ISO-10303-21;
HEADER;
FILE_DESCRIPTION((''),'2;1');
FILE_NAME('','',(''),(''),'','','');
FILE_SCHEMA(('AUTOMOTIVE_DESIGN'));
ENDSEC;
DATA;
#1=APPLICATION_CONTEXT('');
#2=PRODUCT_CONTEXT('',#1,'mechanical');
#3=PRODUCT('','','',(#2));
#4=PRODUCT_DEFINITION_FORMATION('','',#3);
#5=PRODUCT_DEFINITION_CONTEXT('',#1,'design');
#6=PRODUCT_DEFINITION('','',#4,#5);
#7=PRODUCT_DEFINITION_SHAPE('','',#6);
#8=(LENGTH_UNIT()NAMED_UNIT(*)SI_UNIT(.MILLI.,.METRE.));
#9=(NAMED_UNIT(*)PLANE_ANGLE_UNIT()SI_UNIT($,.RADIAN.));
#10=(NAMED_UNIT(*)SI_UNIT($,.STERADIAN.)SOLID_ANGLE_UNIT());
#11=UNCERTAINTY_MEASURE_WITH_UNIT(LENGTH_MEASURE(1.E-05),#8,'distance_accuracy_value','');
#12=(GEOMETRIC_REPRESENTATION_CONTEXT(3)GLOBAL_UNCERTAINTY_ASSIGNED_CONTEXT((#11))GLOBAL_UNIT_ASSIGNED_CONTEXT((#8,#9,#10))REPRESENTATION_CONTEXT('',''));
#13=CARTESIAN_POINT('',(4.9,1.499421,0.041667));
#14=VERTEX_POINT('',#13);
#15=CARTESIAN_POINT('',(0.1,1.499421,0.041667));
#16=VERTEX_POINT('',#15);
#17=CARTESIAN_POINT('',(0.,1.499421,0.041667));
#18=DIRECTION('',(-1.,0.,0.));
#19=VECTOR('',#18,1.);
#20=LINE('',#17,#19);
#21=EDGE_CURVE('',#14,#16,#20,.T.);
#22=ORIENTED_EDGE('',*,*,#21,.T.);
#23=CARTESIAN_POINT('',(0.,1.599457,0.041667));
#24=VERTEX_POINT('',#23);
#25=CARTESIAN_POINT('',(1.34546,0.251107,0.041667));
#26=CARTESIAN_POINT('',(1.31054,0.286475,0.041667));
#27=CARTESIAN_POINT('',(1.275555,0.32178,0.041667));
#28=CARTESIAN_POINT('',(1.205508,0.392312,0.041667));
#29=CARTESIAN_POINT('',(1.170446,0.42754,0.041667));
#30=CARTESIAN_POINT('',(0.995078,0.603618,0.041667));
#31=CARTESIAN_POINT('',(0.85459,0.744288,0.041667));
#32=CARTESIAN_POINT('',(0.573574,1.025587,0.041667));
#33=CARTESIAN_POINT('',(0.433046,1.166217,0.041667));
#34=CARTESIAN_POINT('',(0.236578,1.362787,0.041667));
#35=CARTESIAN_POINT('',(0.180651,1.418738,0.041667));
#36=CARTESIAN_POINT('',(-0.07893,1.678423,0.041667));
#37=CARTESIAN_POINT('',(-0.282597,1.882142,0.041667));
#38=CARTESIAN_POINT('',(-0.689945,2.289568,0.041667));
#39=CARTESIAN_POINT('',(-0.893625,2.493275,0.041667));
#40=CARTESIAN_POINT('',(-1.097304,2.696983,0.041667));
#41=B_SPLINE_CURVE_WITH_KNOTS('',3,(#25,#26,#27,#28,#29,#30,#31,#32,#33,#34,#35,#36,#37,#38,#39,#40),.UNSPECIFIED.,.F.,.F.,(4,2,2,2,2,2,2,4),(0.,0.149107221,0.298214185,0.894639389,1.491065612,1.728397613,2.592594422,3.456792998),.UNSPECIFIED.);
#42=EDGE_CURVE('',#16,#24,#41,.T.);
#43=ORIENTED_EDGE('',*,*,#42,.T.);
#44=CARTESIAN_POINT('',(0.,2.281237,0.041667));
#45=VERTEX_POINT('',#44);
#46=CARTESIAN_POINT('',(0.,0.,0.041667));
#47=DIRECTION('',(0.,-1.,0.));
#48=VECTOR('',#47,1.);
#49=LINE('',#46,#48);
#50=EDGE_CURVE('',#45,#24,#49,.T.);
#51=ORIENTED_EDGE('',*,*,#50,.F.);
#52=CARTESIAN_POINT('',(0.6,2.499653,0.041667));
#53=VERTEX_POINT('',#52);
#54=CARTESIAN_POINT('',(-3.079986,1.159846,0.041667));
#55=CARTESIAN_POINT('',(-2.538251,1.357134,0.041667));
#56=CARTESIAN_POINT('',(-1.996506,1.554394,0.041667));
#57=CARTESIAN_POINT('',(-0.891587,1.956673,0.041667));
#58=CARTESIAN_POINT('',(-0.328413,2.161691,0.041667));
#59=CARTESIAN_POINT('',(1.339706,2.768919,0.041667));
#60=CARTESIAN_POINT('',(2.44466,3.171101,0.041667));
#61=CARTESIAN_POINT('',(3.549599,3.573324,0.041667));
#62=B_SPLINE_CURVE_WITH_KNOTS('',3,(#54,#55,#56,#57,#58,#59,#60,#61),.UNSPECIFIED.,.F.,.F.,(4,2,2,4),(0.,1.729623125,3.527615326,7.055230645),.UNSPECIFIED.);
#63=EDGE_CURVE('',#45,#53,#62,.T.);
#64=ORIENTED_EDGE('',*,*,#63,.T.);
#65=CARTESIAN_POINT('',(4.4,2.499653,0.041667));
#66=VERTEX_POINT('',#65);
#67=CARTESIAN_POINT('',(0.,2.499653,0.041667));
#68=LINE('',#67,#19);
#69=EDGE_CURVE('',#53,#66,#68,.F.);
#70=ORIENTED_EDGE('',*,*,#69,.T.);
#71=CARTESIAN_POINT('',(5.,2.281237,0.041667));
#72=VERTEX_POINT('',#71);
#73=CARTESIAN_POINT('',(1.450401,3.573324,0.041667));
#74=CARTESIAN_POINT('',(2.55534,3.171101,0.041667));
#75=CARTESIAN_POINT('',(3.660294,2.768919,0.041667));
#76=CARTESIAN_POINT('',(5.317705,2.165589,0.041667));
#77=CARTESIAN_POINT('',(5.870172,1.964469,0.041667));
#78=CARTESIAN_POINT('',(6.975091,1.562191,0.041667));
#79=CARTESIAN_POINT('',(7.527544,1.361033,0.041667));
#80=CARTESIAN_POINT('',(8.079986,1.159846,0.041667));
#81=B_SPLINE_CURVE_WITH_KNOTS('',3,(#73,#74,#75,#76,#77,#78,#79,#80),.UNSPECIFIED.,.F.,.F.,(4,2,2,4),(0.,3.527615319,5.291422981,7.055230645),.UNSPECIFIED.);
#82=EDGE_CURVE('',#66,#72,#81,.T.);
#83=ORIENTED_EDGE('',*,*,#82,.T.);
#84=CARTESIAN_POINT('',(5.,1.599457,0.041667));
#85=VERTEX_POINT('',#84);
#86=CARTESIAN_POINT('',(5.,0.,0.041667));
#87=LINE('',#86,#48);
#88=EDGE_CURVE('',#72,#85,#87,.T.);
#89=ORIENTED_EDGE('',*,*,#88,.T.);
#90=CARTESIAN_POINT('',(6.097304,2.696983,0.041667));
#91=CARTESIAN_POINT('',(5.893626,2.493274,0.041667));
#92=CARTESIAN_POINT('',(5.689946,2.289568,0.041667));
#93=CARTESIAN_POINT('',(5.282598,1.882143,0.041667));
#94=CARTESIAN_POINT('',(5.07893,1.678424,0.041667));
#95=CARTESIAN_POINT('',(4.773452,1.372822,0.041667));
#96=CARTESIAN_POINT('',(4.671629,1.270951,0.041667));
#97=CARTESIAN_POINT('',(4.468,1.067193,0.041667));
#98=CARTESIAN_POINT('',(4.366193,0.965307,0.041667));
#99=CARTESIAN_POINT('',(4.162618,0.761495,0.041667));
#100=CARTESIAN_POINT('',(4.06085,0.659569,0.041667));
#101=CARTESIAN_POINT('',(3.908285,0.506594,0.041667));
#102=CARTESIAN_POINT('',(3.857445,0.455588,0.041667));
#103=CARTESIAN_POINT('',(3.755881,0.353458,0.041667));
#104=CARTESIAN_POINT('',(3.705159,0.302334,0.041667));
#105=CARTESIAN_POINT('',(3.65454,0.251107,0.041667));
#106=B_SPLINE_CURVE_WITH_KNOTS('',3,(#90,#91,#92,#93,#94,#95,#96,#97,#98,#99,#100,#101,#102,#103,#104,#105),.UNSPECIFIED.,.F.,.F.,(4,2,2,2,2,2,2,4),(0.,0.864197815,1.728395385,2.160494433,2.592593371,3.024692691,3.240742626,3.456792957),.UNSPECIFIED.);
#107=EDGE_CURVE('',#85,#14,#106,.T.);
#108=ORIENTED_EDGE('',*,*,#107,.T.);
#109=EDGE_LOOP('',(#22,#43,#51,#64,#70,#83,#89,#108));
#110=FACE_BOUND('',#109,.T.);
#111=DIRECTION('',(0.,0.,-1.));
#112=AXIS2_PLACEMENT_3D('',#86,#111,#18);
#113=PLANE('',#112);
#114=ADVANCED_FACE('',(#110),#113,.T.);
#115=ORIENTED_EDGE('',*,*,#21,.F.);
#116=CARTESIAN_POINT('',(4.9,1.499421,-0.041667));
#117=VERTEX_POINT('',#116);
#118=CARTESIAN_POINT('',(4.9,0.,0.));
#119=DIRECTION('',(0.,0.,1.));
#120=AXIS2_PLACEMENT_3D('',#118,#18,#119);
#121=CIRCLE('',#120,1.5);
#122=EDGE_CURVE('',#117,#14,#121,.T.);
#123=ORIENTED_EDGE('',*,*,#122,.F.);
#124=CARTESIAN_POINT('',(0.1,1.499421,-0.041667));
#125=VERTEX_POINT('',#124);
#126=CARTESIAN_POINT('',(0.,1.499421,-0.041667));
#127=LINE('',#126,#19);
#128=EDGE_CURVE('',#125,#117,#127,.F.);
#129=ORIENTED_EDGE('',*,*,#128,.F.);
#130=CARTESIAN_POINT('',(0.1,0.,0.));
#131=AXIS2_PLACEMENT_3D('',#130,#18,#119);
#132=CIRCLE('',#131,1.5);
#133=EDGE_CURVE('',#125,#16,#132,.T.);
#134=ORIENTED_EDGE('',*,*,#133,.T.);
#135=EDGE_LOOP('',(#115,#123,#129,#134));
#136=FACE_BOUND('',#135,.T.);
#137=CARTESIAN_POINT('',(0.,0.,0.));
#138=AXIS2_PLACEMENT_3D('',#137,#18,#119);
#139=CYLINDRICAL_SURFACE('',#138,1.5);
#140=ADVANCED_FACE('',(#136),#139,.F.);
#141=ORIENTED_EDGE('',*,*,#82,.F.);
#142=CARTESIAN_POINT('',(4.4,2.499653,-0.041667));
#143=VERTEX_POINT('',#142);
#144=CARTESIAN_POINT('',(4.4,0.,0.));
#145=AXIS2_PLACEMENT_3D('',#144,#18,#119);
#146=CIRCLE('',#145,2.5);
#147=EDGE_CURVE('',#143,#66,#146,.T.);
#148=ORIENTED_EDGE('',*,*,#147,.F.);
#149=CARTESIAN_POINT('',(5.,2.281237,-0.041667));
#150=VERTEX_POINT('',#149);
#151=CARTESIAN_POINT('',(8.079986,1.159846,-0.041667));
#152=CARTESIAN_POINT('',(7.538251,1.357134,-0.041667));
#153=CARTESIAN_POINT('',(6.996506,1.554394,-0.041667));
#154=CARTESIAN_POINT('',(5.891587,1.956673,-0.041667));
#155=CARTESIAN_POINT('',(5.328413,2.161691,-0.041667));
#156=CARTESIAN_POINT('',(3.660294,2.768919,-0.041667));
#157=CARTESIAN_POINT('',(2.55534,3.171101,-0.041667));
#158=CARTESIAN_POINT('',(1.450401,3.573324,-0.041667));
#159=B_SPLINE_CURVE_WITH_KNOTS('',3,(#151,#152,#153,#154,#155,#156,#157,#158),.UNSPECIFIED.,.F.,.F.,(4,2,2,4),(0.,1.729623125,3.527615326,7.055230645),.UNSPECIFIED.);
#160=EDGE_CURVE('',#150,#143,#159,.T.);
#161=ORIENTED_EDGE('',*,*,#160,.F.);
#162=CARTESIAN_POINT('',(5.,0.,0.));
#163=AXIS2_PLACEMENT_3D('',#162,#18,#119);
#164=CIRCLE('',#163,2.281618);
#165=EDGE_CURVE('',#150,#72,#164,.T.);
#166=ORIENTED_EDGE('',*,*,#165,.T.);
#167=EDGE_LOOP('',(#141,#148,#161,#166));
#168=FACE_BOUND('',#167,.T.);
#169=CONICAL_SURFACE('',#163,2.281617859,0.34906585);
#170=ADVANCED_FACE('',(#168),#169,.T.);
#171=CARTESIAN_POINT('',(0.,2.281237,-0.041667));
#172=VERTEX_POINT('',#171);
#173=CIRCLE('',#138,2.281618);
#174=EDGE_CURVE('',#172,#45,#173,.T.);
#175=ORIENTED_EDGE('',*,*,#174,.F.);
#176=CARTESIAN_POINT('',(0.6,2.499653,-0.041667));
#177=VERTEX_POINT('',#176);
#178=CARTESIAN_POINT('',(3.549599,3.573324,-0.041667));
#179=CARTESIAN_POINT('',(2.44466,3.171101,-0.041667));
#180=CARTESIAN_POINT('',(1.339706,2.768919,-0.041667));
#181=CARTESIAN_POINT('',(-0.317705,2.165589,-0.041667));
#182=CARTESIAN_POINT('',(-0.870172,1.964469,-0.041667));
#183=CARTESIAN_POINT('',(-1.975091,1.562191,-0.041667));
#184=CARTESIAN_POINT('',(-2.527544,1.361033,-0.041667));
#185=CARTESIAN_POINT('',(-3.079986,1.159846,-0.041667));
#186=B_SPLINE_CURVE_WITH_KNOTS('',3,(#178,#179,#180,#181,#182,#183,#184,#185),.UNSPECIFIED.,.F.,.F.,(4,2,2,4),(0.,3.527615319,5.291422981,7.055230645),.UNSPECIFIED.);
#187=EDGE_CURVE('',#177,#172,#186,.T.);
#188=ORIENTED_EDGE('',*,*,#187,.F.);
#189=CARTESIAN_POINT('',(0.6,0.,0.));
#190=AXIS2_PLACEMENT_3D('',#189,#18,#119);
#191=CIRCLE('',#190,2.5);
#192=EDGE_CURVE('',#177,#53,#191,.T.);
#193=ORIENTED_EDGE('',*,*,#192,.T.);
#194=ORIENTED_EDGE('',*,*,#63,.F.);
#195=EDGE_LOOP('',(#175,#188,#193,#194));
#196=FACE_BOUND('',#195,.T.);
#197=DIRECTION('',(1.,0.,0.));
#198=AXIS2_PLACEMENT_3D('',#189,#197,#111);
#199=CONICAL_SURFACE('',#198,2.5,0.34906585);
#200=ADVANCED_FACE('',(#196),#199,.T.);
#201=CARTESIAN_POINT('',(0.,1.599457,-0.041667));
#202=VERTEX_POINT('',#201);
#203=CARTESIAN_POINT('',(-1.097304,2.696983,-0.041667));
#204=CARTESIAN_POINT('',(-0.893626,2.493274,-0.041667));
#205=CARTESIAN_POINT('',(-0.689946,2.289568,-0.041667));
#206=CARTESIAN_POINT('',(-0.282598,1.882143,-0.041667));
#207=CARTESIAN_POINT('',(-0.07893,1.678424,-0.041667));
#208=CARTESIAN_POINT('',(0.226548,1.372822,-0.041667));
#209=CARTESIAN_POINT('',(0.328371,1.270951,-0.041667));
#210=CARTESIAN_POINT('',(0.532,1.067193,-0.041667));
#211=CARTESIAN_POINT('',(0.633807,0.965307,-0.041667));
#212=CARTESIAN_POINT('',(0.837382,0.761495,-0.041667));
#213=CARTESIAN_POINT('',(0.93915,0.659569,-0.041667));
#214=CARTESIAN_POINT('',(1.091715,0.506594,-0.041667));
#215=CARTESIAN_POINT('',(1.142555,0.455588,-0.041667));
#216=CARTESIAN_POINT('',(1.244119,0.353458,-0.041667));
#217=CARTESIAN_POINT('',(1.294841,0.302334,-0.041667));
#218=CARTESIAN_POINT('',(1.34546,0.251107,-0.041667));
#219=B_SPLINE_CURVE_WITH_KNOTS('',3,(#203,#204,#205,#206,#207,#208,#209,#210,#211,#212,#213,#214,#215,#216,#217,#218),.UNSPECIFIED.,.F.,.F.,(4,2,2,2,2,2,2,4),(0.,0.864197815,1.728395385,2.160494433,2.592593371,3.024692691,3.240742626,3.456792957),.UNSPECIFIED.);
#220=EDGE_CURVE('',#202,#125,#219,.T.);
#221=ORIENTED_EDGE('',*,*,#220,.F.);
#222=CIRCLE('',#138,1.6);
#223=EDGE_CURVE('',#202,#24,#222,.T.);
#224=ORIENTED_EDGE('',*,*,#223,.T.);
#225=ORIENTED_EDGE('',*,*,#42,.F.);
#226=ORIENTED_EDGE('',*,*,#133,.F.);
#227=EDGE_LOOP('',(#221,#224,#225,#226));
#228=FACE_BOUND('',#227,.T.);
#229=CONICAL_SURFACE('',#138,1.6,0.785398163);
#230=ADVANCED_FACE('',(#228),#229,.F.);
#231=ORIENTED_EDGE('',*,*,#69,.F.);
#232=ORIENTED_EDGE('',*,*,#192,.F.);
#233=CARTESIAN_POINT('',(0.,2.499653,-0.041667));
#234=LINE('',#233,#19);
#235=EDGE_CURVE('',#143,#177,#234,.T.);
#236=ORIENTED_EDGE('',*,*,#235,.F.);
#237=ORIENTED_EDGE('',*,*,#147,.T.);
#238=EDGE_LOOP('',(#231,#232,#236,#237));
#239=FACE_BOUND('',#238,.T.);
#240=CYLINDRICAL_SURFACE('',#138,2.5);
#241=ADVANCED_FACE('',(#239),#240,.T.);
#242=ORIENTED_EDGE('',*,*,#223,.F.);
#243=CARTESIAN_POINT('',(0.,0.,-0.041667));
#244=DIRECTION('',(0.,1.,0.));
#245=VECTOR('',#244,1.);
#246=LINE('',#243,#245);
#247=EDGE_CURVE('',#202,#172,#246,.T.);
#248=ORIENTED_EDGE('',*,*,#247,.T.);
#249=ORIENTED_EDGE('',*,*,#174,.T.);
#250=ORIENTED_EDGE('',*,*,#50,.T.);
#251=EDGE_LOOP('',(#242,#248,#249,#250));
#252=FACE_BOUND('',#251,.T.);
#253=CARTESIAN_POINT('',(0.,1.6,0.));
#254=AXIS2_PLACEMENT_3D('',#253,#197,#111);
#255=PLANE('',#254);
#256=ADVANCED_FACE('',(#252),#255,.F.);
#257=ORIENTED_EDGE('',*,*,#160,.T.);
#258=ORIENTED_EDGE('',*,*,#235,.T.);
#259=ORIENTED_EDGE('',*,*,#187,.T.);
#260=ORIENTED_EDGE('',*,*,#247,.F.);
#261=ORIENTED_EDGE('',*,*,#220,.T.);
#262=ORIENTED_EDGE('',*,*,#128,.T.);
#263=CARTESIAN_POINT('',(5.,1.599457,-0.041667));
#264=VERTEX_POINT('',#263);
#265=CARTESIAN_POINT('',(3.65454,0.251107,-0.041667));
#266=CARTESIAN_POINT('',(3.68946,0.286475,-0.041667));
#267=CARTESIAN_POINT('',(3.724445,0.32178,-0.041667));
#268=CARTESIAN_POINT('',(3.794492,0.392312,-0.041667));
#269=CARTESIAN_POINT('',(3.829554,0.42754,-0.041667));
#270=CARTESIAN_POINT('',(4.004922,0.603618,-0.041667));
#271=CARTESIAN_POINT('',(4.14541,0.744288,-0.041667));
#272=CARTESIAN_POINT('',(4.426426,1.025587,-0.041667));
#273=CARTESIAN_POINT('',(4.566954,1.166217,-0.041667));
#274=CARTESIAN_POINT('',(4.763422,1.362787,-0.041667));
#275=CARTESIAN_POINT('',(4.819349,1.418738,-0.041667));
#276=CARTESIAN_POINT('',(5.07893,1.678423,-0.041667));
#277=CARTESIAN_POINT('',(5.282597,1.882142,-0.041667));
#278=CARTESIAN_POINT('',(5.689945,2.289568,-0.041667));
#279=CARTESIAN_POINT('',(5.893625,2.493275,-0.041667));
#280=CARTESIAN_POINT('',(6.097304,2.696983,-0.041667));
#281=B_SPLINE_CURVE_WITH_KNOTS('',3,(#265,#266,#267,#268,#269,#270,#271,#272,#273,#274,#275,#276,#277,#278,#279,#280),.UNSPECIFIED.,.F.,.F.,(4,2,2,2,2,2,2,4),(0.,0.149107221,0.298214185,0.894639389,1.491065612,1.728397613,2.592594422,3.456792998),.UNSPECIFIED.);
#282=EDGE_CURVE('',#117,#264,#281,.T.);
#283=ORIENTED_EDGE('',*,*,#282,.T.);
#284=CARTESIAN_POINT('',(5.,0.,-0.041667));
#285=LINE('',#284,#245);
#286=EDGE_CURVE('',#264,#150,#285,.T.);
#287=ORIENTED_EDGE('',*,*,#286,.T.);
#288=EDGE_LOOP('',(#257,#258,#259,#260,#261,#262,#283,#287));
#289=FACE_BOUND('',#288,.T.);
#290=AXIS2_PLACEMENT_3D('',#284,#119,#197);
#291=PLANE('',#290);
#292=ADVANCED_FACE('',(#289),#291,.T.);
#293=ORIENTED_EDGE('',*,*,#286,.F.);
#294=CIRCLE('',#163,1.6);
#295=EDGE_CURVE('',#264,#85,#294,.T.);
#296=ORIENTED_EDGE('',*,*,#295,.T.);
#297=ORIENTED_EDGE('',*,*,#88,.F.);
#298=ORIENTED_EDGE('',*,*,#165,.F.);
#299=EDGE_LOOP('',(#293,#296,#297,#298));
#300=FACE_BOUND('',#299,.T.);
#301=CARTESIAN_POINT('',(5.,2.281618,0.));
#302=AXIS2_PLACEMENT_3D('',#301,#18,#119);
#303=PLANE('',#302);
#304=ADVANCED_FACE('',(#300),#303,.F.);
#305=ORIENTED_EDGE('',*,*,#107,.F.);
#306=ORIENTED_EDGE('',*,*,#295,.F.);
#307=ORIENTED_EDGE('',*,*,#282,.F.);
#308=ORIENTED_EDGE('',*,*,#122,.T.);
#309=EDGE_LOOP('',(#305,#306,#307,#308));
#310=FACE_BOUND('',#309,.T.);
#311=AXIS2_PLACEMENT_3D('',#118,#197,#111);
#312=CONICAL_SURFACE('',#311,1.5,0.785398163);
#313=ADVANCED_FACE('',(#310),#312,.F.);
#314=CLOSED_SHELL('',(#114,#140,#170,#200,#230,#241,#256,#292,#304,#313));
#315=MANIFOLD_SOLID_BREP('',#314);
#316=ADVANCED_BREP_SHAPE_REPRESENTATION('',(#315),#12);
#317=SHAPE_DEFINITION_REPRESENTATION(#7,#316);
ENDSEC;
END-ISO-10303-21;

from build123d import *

# Parameters (mm, degrees)
SKETCH_2_W          = 0.083333334
SKETCH_2_H          = 2.5
CUT_EXTRUDE_1_DEPTH = 6


with BuildPart() as part:
    # 草图1 → 旋转1 (revolve)
    with BuildSketch(Plane.XY):
        Polygon((0.6, 2.5), (4.4, 2.5), (5, 2.281617859), (5, 1.6), (4.9, 1.5), (0.1, 1.5), (0, 1.6), (0, 2.281617859), align=None)
    revolve(axis=Axis((0, 0, 0), (1, 0, 0)))

    # 草图2 → 切除-拉伸1 (cut, through all)
    with BuildSketch(Plane(origin=(0, 0, 0), x_dir=(0, 0, -1), z_dir=(1, 0, 0))):
        with Locations((0, 1.25)):
            Rectangle(SKETCH_2_W, SKETCH_2_H)
    extrude(amount=CUT_EXTRUDE_1_DEPTH, mode=Mode.SUBTRACT)


solid = part.part
